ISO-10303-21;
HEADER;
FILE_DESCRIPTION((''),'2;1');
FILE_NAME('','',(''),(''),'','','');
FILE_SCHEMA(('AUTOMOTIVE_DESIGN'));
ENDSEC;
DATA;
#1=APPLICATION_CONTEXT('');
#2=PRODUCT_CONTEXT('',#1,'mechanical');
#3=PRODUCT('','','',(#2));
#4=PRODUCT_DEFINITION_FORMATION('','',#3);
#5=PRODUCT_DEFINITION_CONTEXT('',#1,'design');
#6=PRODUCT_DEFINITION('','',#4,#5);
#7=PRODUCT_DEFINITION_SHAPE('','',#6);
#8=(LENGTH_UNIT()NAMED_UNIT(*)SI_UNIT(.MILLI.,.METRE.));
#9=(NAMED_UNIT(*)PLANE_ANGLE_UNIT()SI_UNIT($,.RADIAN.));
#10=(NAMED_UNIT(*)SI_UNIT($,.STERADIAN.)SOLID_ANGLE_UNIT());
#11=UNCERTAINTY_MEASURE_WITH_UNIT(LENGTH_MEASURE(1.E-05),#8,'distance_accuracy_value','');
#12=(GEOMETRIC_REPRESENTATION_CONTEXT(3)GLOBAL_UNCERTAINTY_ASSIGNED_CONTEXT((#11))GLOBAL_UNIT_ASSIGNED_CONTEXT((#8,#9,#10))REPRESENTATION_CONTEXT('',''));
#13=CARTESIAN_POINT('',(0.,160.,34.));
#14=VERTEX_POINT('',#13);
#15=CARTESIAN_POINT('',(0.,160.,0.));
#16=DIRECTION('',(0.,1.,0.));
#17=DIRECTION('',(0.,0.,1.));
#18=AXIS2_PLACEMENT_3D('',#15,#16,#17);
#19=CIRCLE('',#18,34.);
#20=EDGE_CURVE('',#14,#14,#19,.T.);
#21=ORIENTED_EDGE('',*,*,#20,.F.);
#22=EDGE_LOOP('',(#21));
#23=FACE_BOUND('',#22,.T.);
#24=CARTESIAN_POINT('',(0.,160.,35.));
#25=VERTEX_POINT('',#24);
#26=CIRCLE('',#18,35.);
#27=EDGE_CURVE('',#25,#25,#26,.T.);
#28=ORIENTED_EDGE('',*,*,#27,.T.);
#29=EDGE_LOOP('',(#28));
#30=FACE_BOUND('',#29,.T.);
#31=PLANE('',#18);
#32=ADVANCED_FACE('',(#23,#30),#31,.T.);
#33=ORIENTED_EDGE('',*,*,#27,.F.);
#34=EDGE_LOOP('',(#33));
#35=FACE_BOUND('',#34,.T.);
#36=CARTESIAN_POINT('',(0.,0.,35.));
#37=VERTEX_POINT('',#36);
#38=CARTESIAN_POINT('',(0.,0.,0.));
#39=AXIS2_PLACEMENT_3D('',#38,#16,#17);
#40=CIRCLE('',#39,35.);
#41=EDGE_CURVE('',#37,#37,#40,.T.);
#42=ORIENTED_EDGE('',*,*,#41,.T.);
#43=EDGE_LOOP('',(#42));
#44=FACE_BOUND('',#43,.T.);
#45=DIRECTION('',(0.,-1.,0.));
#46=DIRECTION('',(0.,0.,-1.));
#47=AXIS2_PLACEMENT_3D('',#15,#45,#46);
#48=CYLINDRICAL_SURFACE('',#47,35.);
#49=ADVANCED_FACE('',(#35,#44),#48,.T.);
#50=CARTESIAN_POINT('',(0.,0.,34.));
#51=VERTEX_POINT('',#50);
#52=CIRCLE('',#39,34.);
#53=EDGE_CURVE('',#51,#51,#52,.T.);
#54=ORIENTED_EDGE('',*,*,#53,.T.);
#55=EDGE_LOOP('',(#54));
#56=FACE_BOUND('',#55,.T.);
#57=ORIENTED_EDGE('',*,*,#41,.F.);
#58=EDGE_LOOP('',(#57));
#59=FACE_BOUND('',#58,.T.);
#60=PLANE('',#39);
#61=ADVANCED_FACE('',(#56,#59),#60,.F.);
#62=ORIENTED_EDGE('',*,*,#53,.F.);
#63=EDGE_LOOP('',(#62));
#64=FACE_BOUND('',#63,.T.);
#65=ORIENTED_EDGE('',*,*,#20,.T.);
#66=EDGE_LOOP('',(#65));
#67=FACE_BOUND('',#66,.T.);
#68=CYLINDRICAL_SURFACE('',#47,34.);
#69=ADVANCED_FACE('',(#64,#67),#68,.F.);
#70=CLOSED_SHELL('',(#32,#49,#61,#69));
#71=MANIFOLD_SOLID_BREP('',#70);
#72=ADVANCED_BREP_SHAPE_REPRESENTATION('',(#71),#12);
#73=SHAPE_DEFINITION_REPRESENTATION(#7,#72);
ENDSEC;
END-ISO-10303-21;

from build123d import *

# Parameters (mm, degrees)
ESBO_O1_R                = 35
ESBO_O1_R_2              = 34
RESSALTO_EXTRUS_O1_DEPTH = 160


with BuildPart() as part:
    # Esboço1 → Ressalto-extrusão1 (new body)
    with BuildSketch(Plane(origin=(0, 0, 0), x_dir=(1, 0, 0), z_dir=(0, 1, 0))):
        with Locations(Location((0, 0, 0), (0, 0, 270))):
            Circle(ESBO_O1_R)
        with Locations(Location((0, 0, 0), (0, 0, 270))):
            Circle(ESBO_O1_R_2, mode=Mode.SUBTRACT)
    extrude(amount=RESSALTO_EXTRUS_O1_DEPTH)


solid = part.part
